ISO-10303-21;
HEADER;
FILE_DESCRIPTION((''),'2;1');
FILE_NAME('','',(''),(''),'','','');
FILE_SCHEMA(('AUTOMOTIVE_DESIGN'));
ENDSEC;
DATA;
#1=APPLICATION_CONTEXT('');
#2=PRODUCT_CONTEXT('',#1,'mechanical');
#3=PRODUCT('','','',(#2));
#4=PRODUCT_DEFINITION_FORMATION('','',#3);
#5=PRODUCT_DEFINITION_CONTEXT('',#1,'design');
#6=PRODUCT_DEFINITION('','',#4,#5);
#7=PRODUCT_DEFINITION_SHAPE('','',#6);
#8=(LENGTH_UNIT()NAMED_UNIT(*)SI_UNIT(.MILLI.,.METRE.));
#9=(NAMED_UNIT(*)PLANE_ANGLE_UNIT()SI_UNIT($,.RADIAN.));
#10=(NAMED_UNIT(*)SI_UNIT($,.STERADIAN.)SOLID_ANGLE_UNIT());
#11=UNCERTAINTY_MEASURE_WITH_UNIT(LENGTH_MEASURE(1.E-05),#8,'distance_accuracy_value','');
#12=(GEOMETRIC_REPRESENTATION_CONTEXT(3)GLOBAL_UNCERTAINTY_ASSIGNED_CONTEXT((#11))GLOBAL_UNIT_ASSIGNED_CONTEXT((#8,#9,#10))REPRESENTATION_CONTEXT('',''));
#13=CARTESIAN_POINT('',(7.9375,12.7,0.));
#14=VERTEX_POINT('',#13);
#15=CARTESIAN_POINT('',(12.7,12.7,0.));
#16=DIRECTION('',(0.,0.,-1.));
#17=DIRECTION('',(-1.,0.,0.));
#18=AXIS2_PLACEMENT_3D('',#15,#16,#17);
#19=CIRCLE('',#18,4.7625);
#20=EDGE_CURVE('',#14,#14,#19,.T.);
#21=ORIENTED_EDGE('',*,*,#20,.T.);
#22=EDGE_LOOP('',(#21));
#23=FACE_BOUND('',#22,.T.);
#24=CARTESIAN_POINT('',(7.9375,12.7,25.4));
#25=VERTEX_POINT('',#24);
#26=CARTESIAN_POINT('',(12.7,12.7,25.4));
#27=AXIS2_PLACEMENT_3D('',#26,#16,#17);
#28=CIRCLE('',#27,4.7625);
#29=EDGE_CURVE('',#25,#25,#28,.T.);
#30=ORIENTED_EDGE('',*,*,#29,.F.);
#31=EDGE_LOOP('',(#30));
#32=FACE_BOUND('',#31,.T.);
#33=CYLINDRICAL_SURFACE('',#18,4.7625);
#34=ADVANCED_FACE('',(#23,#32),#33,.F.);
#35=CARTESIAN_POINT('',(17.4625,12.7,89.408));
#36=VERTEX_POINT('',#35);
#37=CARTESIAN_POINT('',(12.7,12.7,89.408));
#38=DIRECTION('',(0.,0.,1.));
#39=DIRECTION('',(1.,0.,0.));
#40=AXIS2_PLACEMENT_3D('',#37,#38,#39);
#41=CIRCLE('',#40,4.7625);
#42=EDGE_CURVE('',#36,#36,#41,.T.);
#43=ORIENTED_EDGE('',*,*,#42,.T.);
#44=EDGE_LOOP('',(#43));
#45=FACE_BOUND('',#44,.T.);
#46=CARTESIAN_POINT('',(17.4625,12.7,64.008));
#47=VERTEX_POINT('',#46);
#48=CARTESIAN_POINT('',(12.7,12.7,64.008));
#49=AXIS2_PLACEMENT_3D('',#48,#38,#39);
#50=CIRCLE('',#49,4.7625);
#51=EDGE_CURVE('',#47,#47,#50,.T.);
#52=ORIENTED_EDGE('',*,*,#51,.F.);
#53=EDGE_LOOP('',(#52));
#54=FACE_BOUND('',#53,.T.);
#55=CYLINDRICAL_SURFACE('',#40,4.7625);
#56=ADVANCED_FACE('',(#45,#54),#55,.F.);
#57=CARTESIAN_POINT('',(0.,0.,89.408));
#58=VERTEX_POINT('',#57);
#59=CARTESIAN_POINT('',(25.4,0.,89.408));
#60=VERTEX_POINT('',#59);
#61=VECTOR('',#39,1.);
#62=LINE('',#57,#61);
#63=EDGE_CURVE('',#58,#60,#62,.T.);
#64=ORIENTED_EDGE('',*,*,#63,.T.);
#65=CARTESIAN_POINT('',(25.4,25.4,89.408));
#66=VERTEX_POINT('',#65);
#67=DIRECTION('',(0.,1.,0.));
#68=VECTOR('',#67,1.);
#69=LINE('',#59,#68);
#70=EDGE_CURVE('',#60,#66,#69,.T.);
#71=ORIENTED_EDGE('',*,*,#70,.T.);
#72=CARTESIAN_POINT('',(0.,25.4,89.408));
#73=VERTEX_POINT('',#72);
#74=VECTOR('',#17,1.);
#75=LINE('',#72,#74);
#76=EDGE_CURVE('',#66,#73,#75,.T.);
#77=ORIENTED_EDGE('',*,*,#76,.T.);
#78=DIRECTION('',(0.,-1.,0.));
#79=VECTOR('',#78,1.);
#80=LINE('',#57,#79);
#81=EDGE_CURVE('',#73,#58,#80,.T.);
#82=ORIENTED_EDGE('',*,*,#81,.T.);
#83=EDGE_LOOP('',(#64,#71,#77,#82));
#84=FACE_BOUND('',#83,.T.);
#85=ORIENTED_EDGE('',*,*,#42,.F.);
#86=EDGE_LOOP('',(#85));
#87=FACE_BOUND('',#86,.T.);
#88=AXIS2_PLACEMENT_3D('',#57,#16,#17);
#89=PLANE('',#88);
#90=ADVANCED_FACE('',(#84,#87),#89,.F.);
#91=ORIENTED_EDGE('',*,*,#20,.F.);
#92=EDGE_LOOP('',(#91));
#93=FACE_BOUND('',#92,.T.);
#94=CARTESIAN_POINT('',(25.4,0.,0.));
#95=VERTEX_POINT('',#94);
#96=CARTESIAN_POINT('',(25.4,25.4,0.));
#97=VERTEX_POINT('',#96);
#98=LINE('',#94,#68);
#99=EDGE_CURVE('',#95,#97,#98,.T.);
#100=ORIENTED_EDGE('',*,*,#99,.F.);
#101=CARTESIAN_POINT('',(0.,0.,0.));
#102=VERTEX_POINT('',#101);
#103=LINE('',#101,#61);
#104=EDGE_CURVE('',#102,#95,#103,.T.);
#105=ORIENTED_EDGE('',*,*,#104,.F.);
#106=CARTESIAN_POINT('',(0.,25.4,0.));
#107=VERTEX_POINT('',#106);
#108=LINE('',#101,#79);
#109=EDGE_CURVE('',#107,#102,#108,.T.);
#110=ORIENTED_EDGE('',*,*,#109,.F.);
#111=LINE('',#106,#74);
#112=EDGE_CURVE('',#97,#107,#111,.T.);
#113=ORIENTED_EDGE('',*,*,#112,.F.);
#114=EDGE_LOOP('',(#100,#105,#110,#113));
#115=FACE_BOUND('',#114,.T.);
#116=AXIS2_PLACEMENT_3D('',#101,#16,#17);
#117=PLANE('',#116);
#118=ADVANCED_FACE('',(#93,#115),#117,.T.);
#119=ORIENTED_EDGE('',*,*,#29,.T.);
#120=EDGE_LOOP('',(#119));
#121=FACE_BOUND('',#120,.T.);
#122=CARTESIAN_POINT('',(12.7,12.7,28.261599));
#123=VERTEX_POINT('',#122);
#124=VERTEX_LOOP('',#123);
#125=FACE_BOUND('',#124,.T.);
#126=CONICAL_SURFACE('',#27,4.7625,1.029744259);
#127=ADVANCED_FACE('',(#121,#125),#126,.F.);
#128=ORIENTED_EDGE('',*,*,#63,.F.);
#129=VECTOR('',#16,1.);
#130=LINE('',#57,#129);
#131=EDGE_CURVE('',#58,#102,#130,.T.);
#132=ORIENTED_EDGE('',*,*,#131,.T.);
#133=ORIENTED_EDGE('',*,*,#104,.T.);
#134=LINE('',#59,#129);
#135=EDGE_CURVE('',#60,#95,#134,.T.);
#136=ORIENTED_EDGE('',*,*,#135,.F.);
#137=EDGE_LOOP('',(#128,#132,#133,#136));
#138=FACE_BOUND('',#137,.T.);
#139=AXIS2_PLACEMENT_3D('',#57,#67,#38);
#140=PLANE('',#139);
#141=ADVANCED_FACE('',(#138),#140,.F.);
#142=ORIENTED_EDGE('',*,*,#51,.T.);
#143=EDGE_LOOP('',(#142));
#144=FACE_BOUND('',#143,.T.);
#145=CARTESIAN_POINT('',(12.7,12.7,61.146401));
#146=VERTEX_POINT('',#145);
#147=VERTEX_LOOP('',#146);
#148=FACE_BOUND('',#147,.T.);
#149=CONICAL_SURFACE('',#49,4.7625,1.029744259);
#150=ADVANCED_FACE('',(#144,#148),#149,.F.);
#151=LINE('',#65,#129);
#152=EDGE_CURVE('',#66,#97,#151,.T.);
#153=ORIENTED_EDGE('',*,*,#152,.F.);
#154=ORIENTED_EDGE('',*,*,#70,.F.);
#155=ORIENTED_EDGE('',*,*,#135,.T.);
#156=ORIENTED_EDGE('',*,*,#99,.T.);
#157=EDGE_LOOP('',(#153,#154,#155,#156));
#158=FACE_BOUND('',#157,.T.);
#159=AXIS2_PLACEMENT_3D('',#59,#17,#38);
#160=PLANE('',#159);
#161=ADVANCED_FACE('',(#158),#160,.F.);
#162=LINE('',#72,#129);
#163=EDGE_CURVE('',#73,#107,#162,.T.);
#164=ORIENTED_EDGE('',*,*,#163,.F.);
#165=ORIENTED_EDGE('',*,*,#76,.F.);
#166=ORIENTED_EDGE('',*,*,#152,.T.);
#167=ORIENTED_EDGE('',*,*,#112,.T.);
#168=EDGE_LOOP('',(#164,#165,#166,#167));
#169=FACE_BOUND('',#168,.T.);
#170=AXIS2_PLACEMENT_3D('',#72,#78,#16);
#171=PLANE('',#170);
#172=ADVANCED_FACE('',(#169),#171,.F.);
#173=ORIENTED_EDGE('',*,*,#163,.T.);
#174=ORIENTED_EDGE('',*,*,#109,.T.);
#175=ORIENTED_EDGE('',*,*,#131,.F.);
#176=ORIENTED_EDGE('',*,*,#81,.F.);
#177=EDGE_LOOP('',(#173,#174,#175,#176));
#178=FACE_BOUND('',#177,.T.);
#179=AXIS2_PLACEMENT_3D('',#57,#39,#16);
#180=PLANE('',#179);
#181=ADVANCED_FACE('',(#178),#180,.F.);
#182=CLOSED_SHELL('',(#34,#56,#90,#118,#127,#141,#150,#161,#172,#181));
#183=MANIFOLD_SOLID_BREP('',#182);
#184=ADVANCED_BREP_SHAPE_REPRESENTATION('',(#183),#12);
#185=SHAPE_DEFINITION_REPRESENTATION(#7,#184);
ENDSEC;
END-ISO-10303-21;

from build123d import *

# Parameters (mm, degrees)
SKETCH1_W                        = 25.4
SKETCH1_H                        = 25.4
BOSS_EXTRUDE1_DEPTH              = 89.408
F_3_8_0_375_DIAMETER_HOLE1_D     = 9.525
F_3_8_0_375_DIAMETER_HOLE1_DEPTH = 25.4
F_3_8_0_375_DIAMETER_HOLE1_TIP   = 2.861598698
F_3_8_0_375_DIAMETER_HOLE2_D     = 9.525
F_3_8_0_375_DIAMETER_HOLE2_DEPTH = 25.4
F_3_8_0_375_DIAMETER_HOLE2_TIP   = 2.861598698


with BuildPart() as part:
    # Sketch1 → Boss-Extrude1 (new body)
    with BuildSketch(Plane.XY):
        with Locations((12.7, 12.7)):
            Rectangle(SKETCH1_W, SKETCH1_H)
    extrude(amount=BOSS_EXTRUDE1_DEPTH)

    # 3/8 (0.375) Diameter Hole1
    with Locations(Plane(origin=(0, 0, 0), x_dir=(-1, 0, 0), z_dir=(0, 0, -1))):
        with Locations((-12.7, 12.7)):
            Hole(F_3_8_0_375_DIAMETER_HOLE1_D / 2, depth=F_3_8_0_375_DIAMETER_HOLE1_DEPTH)
            with Locations((0, 0, -(F_3_8_0_375_DIAMETER_HOLE1_DEPTH + F_3_8_0_375_DIAMETER_HOLE1_TIP / 2))):  # 118° drill point
                Cone(0, F_3_8_0_375_DIAMETER_HOLE1_D / 2, F_3_8_0_375_DIAMETER_HOLE1_TIP, mode=Mode.SUBTRACT)

    # 3/8 (0.375) Diameter Hole2
    with Locations(Plane.XY.offset(89.408)):
        with Locations((12.7, 12.7)):
            Hole(F_3_8_0_375_DIAMETER_HOLE2_D / 2, depth=F_3_8_0_375_DIAMETER_HOLE2_DEPTH)
            with Locations((0, 0, -(F_3_8_0_375_DIAMETER_HOLE2_DEPTH + F_3_8_0_375_DIAMETER_HOLE2_TIP / 2))):  # 118° drill point
                Cone(0, F_3_8_0_375_DIAMETER_HOLE2_D / 2, F_3_8_0_375_DIAMETER_HOLE2_TIP, mode=Mode.SUBTRACT)


solid = part.part
